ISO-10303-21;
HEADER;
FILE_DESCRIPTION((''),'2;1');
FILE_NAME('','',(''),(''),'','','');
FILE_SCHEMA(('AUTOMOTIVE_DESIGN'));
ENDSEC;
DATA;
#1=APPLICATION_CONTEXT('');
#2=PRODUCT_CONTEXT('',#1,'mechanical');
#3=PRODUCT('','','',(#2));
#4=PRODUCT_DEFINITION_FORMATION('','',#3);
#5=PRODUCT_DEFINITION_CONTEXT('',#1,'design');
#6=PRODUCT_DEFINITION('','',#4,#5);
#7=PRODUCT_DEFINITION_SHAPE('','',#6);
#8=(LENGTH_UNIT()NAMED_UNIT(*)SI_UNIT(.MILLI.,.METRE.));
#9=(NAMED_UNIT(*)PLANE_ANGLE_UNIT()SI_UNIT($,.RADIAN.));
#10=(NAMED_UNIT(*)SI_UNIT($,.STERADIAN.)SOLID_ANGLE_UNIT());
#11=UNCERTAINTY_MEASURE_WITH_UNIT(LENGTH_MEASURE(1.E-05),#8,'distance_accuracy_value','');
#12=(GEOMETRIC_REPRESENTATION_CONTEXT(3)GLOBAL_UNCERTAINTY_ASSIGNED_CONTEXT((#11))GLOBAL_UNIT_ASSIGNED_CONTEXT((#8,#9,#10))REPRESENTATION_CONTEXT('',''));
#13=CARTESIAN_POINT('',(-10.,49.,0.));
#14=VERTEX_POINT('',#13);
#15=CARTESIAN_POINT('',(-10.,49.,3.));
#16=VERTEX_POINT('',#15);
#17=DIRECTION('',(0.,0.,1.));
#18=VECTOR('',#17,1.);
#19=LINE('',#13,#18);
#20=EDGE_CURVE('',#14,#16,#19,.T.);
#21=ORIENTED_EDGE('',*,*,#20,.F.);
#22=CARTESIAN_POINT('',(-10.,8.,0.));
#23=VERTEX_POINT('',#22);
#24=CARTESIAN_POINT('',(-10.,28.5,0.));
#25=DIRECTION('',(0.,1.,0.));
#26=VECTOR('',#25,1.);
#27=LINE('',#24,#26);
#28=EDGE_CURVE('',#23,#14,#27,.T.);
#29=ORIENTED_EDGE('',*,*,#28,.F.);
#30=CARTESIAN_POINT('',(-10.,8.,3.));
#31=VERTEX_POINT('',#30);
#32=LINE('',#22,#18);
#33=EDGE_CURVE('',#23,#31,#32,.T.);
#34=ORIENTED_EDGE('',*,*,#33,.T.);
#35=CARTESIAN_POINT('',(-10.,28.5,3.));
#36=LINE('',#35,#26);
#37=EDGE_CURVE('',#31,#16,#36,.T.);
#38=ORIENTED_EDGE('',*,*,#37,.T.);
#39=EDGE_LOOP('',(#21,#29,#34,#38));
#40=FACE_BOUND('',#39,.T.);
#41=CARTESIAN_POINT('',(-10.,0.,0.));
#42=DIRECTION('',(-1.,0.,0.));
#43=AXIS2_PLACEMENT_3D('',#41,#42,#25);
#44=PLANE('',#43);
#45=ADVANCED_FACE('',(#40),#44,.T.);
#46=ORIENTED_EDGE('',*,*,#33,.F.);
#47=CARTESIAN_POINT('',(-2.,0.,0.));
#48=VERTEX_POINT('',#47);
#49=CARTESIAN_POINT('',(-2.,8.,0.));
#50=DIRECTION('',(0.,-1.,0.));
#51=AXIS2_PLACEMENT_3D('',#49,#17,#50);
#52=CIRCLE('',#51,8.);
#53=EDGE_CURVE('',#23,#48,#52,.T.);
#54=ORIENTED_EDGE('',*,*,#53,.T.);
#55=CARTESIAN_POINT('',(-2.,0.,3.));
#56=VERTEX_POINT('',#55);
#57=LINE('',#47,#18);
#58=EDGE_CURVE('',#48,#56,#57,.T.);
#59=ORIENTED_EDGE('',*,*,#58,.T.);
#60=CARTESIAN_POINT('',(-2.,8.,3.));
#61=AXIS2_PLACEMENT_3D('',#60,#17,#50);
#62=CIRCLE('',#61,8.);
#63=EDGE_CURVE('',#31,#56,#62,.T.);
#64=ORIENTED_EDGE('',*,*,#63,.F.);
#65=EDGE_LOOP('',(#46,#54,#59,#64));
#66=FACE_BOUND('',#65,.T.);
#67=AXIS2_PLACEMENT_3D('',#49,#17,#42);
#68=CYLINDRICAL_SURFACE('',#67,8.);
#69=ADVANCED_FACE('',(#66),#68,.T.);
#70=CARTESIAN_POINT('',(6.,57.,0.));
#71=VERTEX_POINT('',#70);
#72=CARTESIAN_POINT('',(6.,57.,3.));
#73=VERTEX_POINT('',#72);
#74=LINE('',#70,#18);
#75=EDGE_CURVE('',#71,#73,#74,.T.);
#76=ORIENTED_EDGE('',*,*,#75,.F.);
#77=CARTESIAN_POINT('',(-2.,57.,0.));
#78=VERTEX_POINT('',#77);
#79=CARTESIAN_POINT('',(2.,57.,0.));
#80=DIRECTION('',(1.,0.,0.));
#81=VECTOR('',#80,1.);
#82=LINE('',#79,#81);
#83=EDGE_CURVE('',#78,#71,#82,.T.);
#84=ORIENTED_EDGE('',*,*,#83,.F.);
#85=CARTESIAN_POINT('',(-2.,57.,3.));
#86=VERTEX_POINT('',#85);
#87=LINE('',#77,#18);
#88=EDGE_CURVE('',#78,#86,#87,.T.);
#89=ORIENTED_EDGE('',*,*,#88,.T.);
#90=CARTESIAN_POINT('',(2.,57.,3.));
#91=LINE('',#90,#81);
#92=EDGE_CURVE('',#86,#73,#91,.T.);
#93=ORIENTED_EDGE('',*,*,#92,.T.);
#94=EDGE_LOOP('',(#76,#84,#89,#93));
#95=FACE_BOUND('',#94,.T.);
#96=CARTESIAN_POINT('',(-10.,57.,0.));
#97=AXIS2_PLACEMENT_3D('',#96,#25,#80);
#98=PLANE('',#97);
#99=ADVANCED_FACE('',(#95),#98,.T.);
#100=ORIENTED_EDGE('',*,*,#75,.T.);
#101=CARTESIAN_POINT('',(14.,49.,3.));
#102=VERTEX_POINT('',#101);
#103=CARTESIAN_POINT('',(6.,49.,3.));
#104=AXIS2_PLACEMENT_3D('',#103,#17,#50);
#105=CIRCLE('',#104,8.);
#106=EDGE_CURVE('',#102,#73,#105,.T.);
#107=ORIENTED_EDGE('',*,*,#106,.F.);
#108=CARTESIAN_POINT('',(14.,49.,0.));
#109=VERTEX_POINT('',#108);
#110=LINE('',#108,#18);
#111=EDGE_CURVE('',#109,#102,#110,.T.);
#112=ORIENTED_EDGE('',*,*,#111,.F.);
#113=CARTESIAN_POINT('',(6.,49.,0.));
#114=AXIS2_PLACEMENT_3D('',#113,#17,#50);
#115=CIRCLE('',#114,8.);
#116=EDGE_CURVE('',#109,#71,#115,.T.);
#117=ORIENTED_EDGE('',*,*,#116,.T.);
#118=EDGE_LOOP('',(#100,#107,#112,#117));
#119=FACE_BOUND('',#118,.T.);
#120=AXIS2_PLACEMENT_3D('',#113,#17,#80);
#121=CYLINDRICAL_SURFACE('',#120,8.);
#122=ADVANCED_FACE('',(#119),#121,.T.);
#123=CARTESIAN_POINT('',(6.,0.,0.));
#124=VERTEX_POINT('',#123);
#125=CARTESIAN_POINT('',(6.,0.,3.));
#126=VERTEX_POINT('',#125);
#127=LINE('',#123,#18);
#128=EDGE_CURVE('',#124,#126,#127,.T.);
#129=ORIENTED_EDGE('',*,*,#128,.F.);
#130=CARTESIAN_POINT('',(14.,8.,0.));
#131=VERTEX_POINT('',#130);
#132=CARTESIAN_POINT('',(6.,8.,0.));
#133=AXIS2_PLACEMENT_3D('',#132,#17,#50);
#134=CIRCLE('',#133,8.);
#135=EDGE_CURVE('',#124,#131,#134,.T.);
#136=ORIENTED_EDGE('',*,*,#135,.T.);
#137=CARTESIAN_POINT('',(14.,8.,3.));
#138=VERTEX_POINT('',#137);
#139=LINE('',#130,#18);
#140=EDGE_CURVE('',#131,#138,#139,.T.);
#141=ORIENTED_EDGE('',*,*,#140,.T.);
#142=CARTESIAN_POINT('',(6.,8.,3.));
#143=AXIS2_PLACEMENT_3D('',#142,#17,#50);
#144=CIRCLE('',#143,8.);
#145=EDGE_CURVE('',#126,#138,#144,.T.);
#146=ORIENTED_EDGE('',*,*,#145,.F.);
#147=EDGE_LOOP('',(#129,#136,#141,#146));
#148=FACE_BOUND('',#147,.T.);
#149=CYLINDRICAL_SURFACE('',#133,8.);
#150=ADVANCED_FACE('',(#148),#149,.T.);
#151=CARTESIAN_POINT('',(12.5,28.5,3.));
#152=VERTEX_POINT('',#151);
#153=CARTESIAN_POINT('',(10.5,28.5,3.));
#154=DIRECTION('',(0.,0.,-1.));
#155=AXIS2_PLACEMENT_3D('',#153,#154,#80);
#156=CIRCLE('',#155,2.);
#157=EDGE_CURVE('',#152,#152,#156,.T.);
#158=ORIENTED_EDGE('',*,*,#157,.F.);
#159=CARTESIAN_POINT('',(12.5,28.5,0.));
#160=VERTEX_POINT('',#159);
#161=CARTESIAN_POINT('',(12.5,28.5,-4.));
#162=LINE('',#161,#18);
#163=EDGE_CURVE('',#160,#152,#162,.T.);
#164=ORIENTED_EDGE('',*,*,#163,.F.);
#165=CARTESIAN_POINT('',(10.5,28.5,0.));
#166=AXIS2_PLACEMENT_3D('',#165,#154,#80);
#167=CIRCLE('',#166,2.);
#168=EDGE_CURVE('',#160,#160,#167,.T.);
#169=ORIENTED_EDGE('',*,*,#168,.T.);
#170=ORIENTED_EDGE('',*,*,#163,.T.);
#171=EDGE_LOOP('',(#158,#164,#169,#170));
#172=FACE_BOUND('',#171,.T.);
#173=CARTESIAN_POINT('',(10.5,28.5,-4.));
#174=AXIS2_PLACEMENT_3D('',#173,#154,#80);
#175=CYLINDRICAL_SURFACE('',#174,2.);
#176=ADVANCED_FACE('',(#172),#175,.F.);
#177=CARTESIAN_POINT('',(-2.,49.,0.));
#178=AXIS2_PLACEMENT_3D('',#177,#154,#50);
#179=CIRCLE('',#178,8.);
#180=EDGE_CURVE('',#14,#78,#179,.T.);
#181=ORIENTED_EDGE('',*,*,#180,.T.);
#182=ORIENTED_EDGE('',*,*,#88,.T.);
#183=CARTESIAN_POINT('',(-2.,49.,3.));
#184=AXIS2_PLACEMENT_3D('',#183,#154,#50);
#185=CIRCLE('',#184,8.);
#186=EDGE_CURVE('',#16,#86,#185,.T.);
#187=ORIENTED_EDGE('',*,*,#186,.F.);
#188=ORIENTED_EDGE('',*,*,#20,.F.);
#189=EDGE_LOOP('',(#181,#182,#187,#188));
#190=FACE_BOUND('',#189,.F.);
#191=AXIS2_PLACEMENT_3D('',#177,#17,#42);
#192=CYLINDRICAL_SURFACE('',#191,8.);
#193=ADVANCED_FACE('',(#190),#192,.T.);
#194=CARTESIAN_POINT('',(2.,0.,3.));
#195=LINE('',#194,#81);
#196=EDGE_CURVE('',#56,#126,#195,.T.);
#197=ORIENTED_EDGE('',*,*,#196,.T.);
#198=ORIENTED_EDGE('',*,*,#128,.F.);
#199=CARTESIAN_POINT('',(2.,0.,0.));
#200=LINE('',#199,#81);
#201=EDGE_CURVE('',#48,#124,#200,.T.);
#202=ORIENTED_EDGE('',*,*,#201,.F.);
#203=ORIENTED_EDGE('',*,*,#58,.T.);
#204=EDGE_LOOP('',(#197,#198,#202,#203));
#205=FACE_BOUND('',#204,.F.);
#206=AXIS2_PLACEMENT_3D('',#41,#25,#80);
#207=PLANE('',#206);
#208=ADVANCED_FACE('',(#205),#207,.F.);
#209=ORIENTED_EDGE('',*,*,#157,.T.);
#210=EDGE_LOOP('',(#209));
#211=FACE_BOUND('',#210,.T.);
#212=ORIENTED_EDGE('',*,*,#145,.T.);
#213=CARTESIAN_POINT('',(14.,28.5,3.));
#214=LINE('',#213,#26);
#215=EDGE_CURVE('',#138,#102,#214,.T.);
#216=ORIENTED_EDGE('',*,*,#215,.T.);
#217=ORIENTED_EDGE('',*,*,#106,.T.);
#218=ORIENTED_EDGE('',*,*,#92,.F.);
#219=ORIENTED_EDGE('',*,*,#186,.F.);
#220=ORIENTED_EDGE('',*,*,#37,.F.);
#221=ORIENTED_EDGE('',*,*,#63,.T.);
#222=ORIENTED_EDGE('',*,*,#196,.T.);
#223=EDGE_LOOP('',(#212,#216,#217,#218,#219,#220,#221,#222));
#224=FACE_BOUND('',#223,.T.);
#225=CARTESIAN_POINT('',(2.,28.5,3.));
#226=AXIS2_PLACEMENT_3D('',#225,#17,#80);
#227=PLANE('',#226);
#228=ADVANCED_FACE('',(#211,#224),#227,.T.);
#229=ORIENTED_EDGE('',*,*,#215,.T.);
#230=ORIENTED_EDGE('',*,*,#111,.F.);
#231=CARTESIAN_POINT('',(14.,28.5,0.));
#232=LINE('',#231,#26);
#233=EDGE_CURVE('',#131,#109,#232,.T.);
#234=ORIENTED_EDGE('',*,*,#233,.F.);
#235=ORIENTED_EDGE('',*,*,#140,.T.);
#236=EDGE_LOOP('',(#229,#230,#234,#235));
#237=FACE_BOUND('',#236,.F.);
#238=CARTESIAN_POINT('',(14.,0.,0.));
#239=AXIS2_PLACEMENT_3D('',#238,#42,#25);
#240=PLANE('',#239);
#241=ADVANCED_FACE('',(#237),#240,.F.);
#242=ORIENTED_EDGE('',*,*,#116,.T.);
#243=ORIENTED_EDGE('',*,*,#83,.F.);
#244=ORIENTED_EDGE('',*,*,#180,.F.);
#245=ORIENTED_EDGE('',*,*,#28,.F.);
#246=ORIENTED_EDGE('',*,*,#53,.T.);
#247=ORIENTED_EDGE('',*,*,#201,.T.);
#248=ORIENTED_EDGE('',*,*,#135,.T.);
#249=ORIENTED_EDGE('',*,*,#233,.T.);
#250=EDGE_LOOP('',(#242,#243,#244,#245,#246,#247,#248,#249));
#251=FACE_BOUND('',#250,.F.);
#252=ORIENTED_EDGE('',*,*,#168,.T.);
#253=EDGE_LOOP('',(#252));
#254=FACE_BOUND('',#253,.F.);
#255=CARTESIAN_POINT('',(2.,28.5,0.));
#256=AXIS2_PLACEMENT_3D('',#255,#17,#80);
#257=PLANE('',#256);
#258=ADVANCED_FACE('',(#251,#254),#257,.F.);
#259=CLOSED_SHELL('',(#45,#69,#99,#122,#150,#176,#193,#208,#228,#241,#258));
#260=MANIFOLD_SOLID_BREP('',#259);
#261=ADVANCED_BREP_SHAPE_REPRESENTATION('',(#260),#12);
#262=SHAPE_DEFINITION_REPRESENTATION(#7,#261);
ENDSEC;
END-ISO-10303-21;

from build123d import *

# Parameters (mm, degrees)
CYLINDER002_R     = 2
CYLINDER002_DEPTH = 10
BOX005_W          = 24
BOX005_H          = 57
BOX005_DEPTH      = 3
FILLET_R          = 8


with BuildPart() as central_bottom_hole:
    # Cylinder002 → Cylinder002 (new body)
    with BuildSketch(Plane(origin=(10.5, 28.5, -4), x_dir=(1, 0, 0), z_dir=(0, 0, 1))):
        Circle(CYLINDER002_R)
    extrude(amount=CYLINDER002_DEPTH)


with BuildPart() as bottom_cut:
    # Box005 → Box005 (new body)
    with BuildSketch(Plane(origin=(-10, 0, 0), x_dir=(1, 0, 0), z_dir=(0, 0, 1))):
        with Locations((12, 28.5)):
            Rectangle(BOX005_W, BOX005_H)
    extrude(amount=BOX005_DEPTH)

    # Fillet
    fillet_edges = [bottom_cut.edges().sort_by_distance(p)[0] for p in [
        (-10, 0, 1.5),
        (-10, 57, 1.5),
        (14, 0, 1.5),
        (14, 57, 1.5),
    ]]
    fillet(fillet_edges, radius=FILLET_R)

    # Cut003: cut central bottom hole
    add(central_bottom_hole.part, mode=Mode.SUBTRACT)


solid = bottom_cut.part
